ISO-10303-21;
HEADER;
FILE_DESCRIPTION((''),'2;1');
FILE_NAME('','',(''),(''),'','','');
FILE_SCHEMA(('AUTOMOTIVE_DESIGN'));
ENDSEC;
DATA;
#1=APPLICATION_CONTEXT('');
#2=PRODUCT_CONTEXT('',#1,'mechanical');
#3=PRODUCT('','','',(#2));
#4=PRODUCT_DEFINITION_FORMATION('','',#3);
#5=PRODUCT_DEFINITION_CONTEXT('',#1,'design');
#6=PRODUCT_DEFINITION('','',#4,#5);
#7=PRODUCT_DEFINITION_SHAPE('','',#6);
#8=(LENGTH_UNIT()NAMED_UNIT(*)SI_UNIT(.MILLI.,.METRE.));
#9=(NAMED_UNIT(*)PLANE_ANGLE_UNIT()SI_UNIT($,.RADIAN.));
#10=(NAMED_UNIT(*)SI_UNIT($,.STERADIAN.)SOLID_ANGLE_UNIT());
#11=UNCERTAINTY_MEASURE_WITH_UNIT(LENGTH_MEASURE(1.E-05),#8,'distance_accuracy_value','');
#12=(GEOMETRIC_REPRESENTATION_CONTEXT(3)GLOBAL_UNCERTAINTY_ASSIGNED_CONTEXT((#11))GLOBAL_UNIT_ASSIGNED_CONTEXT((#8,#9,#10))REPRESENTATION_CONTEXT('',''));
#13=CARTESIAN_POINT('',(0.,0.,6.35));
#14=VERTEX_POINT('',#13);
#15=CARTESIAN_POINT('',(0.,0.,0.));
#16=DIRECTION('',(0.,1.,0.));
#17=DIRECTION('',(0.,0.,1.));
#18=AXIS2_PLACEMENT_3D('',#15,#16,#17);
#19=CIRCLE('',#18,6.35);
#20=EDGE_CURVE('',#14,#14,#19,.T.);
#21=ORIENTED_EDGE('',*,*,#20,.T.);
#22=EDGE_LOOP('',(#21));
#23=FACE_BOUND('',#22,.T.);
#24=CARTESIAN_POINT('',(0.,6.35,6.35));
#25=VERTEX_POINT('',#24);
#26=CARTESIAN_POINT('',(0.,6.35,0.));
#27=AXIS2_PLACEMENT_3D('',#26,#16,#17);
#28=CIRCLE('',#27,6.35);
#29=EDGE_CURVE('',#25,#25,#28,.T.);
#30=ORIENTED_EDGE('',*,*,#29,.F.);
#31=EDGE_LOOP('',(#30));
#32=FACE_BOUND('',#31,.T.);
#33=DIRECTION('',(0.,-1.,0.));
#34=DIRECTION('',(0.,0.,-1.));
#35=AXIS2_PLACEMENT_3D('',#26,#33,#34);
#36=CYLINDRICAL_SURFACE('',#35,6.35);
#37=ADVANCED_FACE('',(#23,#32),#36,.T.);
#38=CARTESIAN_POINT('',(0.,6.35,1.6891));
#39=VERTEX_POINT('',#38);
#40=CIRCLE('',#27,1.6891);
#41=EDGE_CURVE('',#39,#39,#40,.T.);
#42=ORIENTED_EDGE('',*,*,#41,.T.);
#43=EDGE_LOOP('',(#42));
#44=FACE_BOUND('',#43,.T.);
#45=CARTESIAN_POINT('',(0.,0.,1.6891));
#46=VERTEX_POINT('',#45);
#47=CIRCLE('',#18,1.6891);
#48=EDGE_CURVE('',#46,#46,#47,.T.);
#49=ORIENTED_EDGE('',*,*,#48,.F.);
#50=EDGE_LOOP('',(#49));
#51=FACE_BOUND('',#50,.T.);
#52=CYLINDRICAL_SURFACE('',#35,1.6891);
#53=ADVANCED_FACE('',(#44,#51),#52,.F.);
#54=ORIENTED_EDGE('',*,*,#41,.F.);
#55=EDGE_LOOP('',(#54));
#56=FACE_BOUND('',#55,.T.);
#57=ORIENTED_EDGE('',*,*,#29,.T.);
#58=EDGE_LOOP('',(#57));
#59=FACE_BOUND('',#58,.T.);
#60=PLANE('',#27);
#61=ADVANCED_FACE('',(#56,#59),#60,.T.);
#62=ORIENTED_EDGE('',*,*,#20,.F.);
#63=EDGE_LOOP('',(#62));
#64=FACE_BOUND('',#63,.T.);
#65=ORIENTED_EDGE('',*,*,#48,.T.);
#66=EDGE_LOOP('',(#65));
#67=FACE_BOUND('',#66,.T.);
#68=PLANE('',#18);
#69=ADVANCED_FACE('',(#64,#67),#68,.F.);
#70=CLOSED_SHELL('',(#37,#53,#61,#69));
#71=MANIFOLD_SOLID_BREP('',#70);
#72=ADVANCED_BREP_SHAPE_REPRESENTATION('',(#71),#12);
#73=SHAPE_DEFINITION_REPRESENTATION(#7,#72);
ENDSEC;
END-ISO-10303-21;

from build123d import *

# Parameters (mm, degrees)
SKETCH1_R           = 6.35
SKETCH1_R_2         = 1.6891
BOSS_EXTRUDE1_DEPTH = 6.35


with BuildPart() as part:
    # Sketch1 → Boss-Extrude1 (new body)
    with BuildSketch(Plane(origin=(0, 0, 0), x_dir=(1, 0, 0), z_dir=(0, 1, 0))):
        Circle(SKETCH1_R)
        Circle(SKETCH1_R_2, mode=Mode.SUBTRACT)
    extrude(amount=BOSS_EXTRUDE1_DEPTH)


solid = part.part
